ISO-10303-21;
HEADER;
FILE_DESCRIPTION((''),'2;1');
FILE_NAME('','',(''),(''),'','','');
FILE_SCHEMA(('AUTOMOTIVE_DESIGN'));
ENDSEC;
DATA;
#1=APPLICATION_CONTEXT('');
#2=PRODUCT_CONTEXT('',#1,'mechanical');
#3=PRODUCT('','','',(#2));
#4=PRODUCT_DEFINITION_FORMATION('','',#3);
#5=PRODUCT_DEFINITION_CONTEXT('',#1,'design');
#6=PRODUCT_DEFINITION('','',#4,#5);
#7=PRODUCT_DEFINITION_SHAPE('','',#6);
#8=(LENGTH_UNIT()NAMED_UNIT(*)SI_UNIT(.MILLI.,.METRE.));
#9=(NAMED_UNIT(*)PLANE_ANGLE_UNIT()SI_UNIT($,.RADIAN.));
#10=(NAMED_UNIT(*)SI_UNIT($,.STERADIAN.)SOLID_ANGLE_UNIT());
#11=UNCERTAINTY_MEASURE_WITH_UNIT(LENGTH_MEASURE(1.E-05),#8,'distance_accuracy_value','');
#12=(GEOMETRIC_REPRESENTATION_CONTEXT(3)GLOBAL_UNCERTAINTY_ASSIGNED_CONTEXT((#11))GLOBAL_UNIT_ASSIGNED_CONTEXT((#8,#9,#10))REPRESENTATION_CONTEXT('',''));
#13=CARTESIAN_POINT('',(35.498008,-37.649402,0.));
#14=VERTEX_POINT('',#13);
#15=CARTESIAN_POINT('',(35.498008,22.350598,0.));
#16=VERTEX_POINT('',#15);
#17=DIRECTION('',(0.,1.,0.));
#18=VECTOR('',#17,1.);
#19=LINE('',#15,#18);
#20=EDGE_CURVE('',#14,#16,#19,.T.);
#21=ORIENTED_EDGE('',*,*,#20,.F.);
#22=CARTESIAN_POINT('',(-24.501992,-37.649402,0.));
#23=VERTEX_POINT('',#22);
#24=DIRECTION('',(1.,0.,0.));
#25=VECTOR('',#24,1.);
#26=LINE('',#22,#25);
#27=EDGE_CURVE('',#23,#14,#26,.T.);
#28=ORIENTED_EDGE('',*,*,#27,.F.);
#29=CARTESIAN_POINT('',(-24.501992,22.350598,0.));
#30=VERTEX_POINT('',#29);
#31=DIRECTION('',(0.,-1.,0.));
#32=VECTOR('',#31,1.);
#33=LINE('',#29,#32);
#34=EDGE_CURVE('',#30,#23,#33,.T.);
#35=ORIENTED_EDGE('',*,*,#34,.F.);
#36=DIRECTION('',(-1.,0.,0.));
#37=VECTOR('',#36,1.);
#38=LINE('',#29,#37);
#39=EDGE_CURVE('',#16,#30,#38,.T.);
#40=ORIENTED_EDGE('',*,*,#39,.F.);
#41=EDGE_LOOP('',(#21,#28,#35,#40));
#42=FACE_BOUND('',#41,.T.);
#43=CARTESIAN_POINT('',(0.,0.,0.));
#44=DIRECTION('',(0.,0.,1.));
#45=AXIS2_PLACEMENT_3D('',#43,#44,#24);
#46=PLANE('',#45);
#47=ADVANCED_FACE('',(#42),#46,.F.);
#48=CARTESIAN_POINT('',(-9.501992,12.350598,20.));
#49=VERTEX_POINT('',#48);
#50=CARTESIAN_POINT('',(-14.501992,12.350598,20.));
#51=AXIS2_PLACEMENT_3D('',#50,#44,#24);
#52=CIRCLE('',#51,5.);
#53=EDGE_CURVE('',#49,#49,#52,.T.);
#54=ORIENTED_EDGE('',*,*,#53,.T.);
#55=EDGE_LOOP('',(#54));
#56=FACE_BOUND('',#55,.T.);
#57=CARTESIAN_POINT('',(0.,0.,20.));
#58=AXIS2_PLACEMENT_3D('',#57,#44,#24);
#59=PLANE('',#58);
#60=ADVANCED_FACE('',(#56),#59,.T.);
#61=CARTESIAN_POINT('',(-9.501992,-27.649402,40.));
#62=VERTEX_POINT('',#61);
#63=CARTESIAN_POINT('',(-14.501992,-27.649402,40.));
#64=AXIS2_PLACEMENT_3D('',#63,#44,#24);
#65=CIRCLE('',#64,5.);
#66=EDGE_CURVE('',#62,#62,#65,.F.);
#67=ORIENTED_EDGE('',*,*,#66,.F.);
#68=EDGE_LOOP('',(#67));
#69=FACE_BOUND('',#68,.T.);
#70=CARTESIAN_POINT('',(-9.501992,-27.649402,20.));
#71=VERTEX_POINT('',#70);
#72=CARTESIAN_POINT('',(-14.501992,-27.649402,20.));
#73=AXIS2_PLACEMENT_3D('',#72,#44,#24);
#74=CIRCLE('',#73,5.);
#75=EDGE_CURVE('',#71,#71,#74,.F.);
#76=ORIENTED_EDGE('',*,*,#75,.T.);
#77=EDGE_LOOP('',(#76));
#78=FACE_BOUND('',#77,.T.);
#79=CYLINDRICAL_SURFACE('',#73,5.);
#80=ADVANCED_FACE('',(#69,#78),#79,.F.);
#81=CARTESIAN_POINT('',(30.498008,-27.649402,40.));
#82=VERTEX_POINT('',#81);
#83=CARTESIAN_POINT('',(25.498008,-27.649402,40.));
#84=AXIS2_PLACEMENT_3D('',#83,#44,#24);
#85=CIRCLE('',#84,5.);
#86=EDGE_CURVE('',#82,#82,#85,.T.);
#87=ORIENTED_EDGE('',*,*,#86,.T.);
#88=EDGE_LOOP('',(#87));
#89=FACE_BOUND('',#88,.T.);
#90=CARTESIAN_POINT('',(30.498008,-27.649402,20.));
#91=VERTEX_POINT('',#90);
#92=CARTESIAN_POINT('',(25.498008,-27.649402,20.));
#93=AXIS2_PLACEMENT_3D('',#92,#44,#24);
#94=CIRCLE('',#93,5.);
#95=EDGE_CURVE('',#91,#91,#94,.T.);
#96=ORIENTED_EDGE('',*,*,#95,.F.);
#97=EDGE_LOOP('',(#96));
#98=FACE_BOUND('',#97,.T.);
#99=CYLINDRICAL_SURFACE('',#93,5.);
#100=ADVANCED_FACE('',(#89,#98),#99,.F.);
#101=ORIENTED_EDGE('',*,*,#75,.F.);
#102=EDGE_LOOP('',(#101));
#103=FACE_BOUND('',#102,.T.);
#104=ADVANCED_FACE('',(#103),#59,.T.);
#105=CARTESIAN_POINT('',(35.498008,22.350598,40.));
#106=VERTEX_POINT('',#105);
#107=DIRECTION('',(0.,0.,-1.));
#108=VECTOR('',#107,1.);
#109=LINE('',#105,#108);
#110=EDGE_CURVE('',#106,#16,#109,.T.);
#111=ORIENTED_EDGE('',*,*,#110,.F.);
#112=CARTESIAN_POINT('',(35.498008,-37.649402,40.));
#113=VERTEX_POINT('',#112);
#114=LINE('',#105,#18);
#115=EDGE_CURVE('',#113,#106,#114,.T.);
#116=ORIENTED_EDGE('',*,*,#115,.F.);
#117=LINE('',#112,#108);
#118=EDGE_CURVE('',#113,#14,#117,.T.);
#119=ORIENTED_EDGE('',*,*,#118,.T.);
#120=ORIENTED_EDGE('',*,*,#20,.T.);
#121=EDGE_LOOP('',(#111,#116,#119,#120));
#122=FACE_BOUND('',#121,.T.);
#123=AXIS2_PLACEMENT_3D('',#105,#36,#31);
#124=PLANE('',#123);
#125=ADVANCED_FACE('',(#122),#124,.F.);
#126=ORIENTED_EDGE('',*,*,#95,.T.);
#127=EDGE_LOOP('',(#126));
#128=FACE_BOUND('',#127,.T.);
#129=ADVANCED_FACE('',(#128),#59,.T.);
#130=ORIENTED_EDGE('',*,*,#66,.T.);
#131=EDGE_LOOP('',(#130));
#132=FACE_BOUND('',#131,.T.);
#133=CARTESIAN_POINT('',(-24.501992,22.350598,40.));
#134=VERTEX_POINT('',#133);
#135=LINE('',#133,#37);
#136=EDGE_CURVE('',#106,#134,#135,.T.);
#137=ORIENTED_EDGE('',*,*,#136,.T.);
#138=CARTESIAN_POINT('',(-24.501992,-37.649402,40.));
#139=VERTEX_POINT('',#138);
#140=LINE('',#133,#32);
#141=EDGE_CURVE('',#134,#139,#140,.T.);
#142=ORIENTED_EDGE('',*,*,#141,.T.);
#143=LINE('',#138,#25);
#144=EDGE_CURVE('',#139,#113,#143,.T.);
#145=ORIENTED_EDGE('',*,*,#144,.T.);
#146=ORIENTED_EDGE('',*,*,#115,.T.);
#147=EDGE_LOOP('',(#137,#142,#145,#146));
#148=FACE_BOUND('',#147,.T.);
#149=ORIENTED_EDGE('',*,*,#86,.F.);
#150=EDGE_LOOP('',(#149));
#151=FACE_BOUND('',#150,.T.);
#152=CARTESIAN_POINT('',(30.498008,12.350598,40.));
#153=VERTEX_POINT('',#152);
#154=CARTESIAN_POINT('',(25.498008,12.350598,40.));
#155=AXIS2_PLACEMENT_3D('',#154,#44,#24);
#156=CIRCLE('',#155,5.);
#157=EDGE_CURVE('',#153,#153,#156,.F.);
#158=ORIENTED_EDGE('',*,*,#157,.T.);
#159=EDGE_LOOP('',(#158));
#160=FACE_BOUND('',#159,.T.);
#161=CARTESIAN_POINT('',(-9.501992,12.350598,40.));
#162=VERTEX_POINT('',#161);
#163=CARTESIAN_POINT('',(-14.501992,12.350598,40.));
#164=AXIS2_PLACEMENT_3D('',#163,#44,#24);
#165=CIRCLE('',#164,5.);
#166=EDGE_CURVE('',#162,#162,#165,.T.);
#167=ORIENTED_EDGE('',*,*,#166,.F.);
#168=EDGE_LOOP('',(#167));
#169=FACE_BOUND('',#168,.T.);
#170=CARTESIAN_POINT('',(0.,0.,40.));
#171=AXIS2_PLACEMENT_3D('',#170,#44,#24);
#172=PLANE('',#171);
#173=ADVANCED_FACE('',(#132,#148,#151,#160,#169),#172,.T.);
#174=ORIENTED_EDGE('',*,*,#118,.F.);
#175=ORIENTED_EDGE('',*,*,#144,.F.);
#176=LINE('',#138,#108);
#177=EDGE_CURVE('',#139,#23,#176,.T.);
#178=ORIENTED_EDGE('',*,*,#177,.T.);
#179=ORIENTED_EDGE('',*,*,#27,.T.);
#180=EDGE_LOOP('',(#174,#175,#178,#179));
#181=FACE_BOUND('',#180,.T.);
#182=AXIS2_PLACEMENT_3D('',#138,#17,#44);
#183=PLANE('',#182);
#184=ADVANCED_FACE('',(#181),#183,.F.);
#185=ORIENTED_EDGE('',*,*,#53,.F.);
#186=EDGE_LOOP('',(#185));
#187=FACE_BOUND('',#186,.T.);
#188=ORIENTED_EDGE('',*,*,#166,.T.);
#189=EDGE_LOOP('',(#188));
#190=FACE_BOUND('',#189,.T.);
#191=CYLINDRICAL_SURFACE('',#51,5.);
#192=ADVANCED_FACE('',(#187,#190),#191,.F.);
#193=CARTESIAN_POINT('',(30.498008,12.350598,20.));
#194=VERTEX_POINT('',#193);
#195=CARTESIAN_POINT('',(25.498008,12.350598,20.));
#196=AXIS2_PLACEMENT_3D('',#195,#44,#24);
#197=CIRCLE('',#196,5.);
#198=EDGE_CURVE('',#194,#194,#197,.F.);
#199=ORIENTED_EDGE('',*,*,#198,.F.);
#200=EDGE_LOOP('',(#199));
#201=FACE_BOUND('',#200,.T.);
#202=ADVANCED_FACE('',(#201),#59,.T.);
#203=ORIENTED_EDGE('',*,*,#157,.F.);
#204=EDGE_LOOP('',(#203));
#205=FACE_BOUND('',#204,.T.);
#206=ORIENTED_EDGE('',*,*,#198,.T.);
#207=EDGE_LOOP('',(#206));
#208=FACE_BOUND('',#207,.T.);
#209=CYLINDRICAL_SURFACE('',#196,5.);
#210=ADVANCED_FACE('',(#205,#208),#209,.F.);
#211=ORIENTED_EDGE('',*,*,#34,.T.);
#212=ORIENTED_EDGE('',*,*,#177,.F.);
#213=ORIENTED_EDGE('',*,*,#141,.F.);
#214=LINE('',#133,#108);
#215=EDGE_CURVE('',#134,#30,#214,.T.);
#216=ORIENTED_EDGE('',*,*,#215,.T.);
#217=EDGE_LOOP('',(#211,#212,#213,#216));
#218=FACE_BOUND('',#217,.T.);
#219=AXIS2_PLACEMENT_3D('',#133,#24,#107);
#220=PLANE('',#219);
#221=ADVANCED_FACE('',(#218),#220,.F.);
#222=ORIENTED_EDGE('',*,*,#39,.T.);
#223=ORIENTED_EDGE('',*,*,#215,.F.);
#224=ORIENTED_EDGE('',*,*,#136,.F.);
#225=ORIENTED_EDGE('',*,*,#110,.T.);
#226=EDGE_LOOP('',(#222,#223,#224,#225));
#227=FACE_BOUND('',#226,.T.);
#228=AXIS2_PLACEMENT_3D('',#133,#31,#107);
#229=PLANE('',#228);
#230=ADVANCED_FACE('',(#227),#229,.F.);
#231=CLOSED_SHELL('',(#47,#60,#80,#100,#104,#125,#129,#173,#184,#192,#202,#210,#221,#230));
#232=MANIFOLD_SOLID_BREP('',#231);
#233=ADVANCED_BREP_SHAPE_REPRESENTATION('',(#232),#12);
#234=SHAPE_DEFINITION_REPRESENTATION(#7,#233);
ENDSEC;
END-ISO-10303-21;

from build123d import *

# Parameters (mm, degrees)
SKETCH1_W           = 60
SKETCH1_H           = 60
BOSS_EXTRUDE1_DEPTH = 40
SKETCH2_R           = 5
CUT_EXTRUDE1_DEPTH  = 20


with BuildPart() as part:
    # Sketch1 → Boss-Extrude1 (new body)
    with BuildSketch(Plane.XY):
        with Locations((5.498007968, -7.64940239)):
            Rectangle(SKETCH1_W, SKETCH1_H)
    extrude(amount=BOSS_EXTRUDE1_DEPTH)

    # Sketch2 → Cut-Extrude1 (cut)
    with BuildSketch(Plane.XY.offset(40)):
        with Locations((-14.501992032, 12.35059761)):
            Circle(SKETCH2_R)
        with Locations((25.498007968, 12.35059761)):
            Circle(SKETCH2_R)
        with Locations((25.498007968, -27.64940239)):
            Circle(SKETCH2_R)
        with Locations((-14.501992032, -27.64940239)):
            Circle(SKETCH2_R)
    extrude(amount=-CUT_EXTRUDE1_DEPTH, mode=Mode.SUBTRACT)


solid = part.part
